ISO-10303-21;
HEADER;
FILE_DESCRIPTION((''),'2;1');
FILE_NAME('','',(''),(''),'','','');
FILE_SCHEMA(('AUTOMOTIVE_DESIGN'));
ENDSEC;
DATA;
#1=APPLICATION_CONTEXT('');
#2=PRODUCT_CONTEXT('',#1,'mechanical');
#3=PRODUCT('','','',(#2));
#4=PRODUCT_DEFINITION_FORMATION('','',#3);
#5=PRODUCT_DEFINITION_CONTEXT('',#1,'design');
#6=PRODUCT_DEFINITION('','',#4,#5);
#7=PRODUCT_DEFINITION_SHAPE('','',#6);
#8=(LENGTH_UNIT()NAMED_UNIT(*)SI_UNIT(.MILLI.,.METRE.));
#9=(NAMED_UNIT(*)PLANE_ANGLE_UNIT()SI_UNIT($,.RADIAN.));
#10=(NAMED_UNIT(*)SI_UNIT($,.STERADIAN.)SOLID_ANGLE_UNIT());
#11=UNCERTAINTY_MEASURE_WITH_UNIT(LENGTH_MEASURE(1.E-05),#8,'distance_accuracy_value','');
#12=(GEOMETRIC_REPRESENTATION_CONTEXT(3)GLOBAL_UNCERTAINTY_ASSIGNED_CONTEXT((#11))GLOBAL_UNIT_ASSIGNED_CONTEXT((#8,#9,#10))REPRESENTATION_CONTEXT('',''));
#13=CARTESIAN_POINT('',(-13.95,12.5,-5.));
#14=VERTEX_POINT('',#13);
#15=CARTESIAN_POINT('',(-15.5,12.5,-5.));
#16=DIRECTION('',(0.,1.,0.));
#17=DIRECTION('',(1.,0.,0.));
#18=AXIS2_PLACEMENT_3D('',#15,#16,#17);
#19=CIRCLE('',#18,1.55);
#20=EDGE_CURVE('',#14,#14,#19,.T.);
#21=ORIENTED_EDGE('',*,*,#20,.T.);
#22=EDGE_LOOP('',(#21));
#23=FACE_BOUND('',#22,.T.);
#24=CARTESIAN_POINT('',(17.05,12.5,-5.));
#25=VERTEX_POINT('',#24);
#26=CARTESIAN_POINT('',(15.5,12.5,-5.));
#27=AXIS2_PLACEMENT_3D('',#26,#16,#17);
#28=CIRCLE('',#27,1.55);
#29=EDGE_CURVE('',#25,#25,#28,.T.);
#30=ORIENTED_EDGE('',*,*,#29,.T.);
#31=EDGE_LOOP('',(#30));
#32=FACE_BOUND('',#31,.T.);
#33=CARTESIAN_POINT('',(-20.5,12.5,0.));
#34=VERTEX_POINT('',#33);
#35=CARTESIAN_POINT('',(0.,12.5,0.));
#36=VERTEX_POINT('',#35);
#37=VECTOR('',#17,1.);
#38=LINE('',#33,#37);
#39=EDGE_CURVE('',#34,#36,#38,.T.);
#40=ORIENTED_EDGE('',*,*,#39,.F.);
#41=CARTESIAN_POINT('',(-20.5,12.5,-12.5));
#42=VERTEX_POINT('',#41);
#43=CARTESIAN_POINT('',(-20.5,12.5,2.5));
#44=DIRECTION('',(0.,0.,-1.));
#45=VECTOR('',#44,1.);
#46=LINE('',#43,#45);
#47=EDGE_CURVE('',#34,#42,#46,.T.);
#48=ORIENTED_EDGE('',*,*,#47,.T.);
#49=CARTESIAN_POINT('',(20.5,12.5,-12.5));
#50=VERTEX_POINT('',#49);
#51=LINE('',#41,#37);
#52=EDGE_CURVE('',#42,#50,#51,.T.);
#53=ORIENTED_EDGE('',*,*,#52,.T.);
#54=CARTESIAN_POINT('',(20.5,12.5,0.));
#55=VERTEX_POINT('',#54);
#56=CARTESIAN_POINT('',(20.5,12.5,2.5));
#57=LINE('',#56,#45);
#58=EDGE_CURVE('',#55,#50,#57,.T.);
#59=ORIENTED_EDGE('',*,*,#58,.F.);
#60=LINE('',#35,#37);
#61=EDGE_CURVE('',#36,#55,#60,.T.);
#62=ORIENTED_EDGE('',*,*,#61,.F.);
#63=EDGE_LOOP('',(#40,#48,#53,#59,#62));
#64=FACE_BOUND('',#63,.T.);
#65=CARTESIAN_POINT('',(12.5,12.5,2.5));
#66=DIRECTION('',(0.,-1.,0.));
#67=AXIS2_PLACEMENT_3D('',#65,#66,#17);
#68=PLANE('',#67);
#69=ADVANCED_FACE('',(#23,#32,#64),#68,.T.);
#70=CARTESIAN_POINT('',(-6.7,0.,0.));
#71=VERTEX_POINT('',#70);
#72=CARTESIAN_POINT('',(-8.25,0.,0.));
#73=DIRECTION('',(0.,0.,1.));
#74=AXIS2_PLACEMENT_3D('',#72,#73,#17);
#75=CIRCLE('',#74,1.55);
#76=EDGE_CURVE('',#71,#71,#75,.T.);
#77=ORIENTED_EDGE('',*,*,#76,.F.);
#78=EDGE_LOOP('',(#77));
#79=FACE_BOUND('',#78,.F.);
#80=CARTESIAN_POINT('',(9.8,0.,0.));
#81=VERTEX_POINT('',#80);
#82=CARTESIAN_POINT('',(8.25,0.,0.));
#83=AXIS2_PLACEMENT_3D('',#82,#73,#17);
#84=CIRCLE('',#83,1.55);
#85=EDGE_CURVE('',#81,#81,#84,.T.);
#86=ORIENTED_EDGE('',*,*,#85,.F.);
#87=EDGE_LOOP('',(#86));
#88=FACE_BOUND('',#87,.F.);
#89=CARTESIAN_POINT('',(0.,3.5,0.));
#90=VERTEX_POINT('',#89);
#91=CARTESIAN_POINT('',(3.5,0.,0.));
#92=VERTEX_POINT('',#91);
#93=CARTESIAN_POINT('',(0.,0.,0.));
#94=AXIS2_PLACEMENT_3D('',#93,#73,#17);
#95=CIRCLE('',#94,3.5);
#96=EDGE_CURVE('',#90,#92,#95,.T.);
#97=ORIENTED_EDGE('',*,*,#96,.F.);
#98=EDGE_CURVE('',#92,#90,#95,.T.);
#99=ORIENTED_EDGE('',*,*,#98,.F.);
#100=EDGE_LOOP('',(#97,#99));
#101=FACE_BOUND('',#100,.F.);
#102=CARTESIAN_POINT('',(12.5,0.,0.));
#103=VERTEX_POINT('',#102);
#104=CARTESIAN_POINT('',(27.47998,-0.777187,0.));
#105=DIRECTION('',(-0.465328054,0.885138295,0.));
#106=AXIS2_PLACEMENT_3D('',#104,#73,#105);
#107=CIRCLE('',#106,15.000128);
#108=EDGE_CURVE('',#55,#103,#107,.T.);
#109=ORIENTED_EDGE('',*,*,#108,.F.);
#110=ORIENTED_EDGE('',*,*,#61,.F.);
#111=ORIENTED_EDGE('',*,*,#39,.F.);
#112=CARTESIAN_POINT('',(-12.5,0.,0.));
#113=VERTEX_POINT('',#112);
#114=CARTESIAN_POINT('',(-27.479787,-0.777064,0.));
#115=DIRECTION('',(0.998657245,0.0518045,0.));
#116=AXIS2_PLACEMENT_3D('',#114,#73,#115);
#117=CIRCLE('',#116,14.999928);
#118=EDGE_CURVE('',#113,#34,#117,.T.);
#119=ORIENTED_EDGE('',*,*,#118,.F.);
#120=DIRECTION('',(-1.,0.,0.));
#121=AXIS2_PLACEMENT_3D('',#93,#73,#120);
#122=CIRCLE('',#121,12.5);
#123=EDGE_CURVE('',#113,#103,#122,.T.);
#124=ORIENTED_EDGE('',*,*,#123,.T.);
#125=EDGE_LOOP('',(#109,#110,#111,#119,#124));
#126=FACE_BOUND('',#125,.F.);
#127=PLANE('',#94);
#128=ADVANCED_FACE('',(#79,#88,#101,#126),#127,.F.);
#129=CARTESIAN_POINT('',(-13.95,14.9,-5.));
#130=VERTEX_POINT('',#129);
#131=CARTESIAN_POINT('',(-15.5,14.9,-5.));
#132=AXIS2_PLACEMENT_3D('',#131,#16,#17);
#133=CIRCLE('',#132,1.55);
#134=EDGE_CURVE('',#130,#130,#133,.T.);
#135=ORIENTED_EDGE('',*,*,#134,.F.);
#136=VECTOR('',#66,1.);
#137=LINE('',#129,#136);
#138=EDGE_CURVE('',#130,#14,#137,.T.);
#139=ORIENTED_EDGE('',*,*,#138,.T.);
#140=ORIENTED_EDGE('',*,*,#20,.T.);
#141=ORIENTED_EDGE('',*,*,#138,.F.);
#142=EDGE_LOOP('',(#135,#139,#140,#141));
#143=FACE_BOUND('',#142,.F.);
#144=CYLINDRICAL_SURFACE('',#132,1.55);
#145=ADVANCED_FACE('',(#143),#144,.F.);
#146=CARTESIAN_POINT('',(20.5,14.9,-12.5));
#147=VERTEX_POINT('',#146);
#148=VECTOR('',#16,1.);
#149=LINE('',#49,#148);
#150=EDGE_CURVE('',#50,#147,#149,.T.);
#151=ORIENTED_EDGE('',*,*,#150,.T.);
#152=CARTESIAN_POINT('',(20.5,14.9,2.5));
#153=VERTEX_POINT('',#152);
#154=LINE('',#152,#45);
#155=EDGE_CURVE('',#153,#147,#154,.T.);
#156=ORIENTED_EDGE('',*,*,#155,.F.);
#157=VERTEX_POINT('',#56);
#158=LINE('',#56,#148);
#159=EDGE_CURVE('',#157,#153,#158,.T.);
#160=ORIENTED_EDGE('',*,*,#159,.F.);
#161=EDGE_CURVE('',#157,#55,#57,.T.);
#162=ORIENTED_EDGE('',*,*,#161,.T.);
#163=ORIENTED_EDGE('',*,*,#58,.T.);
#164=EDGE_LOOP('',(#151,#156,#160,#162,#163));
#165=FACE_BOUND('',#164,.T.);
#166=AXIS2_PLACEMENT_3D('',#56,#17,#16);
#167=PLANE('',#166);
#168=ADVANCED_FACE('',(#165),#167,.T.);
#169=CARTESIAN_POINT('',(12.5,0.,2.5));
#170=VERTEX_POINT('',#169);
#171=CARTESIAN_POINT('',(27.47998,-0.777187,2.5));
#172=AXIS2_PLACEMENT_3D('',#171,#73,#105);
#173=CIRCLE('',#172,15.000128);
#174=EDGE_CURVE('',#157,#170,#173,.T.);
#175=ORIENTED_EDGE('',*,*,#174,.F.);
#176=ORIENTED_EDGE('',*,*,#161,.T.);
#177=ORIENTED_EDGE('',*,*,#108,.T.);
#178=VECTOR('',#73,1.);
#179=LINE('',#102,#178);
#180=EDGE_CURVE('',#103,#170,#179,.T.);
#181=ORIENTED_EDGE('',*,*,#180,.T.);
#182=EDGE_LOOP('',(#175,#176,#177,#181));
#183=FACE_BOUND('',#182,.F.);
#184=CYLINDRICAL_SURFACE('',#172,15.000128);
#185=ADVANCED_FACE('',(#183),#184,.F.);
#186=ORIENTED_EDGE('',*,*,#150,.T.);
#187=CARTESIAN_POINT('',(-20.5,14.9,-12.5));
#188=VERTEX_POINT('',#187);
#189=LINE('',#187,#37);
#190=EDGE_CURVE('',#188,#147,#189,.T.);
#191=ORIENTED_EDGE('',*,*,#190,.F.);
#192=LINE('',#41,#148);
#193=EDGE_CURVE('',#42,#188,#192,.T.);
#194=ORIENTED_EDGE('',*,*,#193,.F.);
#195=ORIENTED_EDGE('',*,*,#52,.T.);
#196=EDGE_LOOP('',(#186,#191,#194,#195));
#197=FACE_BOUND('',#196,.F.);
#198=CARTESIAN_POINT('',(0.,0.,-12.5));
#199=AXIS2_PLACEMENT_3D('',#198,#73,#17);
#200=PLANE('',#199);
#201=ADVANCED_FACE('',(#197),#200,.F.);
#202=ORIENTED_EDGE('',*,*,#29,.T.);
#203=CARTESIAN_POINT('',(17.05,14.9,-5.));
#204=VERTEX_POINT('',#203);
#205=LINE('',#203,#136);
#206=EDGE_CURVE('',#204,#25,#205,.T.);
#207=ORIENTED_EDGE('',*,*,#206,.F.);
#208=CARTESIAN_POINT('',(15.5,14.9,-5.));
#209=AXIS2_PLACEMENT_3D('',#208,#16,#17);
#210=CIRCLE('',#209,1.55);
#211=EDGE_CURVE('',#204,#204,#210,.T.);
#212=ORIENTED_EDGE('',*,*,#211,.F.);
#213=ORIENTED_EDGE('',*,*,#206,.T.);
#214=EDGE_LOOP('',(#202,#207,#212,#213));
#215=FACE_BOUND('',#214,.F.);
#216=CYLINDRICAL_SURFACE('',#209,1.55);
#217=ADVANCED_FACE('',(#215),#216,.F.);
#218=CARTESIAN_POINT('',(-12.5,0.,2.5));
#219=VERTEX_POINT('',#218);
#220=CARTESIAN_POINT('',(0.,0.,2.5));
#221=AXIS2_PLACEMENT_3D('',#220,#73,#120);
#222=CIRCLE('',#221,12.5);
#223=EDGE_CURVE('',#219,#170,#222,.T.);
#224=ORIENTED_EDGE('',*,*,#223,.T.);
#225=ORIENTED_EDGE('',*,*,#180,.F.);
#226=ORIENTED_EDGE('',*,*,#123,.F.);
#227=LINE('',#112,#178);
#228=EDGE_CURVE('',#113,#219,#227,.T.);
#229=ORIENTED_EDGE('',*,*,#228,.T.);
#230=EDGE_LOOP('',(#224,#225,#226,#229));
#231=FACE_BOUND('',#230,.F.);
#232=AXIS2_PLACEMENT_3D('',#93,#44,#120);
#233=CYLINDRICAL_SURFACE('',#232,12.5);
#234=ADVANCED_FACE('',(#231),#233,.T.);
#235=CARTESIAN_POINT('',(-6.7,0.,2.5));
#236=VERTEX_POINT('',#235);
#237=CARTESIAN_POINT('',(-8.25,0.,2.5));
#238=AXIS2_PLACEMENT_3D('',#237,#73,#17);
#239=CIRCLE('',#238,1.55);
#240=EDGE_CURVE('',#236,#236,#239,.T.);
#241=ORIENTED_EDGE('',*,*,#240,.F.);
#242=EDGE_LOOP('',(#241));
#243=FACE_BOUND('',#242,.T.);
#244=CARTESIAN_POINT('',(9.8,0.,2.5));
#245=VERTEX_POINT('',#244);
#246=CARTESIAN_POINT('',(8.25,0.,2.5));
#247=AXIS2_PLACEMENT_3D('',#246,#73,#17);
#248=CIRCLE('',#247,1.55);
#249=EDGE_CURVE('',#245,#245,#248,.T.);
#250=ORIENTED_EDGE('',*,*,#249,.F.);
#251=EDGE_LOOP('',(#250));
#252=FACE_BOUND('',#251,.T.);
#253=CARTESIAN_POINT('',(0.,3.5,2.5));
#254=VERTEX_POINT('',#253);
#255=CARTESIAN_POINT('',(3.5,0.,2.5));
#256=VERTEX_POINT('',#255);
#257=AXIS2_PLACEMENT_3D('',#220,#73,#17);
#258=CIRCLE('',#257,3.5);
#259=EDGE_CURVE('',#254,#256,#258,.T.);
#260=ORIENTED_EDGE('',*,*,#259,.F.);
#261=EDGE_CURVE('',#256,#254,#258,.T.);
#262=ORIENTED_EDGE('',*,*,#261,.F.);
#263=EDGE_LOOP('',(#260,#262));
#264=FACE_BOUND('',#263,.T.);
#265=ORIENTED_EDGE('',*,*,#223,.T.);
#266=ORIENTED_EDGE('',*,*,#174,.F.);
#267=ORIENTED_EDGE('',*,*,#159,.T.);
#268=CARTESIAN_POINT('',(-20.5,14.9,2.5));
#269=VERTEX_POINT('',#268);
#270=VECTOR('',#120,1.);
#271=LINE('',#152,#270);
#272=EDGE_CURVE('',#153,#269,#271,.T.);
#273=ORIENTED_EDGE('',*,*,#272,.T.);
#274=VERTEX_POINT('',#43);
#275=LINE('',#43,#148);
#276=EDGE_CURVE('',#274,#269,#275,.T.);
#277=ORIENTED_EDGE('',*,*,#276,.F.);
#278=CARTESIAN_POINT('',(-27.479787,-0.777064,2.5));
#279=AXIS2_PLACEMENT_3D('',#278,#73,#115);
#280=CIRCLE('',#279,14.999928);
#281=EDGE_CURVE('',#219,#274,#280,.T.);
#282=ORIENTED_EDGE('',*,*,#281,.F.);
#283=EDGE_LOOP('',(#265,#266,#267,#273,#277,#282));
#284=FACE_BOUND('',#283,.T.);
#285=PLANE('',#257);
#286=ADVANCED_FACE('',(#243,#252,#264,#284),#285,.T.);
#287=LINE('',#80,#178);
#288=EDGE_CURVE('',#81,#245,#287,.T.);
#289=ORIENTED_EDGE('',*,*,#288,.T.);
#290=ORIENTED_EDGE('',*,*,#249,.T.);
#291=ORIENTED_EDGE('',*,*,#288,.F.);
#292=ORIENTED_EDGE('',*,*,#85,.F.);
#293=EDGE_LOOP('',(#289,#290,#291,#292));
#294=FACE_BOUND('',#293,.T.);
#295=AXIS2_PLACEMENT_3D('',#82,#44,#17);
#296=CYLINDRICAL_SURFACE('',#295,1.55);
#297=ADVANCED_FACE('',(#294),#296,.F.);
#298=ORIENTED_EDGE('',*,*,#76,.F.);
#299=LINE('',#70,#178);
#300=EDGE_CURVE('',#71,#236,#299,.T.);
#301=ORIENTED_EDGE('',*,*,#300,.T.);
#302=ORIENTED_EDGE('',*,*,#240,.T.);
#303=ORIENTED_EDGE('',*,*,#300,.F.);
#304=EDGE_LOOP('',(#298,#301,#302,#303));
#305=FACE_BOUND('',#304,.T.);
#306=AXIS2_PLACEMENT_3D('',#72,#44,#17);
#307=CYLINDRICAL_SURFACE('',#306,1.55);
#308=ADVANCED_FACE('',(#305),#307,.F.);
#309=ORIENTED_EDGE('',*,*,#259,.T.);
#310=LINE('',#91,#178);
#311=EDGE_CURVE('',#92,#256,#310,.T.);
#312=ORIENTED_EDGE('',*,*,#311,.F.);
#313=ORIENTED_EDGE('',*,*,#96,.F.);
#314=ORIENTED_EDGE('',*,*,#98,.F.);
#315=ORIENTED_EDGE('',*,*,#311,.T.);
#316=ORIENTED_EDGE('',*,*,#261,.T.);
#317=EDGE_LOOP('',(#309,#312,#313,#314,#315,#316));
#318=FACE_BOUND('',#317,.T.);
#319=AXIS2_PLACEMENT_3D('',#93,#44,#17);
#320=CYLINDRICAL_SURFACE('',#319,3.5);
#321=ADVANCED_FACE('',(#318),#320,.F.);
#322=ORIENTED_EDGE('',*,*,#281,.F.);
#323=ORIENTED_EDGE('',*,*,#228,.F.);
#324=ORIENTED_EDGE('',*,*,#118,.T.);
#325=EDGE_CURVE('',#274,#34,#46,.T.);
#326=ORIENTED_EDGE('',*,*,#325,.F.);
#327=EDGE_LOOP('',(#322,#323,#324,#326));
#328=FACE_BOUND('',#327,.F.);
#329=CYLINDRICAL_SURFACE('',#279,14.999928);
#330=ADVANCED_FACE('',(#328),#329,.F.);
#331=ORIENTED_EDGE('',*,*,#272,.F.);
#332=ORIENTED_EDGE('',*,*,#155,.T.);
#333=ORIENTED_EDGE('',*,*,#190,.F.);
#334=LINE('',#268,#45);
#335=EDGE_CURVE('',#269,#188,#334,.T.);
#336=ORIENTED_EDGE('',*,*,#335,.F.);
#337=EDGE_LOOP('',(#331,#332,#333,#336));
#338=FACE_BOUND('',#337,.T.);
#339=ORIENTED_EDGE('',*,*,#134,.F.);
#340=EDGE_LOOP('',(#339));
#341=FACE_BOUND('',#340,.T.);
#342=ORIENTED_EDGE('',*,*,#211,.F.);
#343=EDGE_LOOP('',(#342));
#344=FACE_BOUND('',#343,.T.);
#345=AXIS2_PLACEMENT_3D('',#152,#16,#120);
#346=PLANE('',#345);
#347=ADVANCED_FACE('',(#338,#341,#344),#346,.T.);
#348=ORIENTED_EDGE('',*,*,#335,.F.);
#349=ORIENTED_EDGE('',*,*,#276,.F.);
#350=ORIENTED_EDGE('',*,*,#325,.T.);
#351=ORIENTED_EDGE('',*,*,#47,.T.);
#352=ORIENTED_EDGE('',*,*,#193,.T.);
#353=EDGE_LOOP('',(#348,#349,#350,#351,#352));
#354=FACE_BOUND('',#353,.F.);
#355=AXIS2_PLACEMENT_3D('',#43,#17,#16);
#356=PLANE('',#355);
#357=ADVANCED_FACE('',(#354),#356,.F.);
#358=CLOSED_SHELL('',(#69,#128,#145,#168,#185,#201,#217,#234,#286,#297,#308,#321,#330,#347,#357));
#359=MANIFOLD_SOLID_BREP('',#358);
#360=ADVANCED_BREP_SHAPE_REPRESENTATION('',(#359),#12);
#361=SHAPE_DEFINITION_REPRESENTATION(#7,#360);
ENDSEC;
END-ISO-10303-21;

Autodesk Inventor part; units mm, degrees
ref_plane "YZ Plane" through (0, 0, 0) normal (1, 0, 0) x (0, 1, 0)
ref_plane "XZ Plane" through (0, 0, 0) normal (0, 1, 0) x (-1, 0, 0)
ref_plane "XY Plane" through (0, 0, 0) normal (0, 0, 1) x (1, 0, 0)
sketch "Sketch1" plane through (0, 0, 0) normal (0, 0, 1) x (1, 0, 0)
  circle A0 centre (0, 0) radius 3.5
  circle A1 centre (8.25, 0) radius 1.55
  circle A2 centre (-8.25, 0) radius 1.55
  line L0 (0, 0) -> (0, 12.5)
  line L1 (0, 12.5) -> (12.5, 12.5)
  line L2 (12.5, 0) -> (12.5, 12.5)
  line L3 (0, 12.5) -> (-12.5, 12.5)
  line L4 (-12.5, 12.5) -> (-12.5, 0)
  arc A3 (-12.5, 0) -> (12.5, 0) centre (0, 0) ccw
  dimension "d0" = 7
  dimension "d4" = 3.1
  dimension "d5" = 3.1
  dimension "d9" = 12.5
  dimension "d10" = 12.5
extrude "Extrusion1" add sketch "Sketch1" along normal blind 2.5
sketch "Sketch2" plane through (0, 0, 2.5) normal (0, 0, 1) x (1, 0, 0)
  line L0 (-12.5, 12.5) -> (-12.5, 0) projected
  line L1 (12.5, 0) -> (12.5, 12.5) projected
  line L2 (-12.5, 12.5) -> (12.5, 12.5)
  line L3 (12.5, 14.9) -> (-12.5, 14.9)
  line L4 (-12.5, 12.5) -> (-20.5, 12.5)
  line L5 (-20.5, 12.5) -> (-20.5, 14.9)
  line L6 (-20.5, 14.9) -> (-12.5, 14.9)
  line L7 (12.5, 12.5) -> (20.5, 12.5)
  line L8 (20.5, 12.5) -> (20.5, 14.9)
  line L9 (20.5, 14.9) -> (12.5, 14.9)
  point P0 (0, 0)
  dimension "d14" = 8
  dimension "d15" = 2.4
  dimension "d17" = 2.4
extrude "Extrusion2" add sketch "Sketch2" against normal blind 15
sketch "Sketch3" plane through (0, 0, 2.5) normal (0, 0, 1) x (1, 0, 0)
  arc A0 (-12.5, 0) -> (12.5, 0) centre (0, 0) ccw projected
  line L0 (20.5, 12.5) -> (-20.5, 12.5) projected
  line L1 (12.5, 12.5) -> (-12.5, 12.5) projected
  arc A1 (-12.5, 0) -> (-20.5, 12.5) centre (-27.4799, -0.7771) ccw
  arc A2 (20.5, 12.5) -> (12.5, 0) centre (27.4799, -0.7771) ccw
  line L2 (-20.5, 12.5) -> (-12.5, 12.5)
  line L3 (-12.5, 12.5) -> (-12.5, 0) projected
  line L4 (-12.5, 0) -> (-12.5, 12.5)
  line L5 (12.5, 0) -> (12.5, 12.5) projected
  line L6 (12.5, 0) -> (12.5, 12.5)
  line L7 (12.5, 12.5) -> (20.5, 12.5)
  dimension "d20" = 15
  dimension "d21" = 15
extrude "Extrusion3" add sketch "Sketch3" against normal up to surface (2.5 mm away) contours A1 L0 L3 | L5 L0 A2
sketch "Sketch4" plane through (-20.5, 14.9, 2.5) normal (0, 1, 0) x (1, 0, 0)
  line L0 (41, 15) -> (0, 15) projected
  line L1 (0, 0) -> (0, 15) projected
  line L2 (41, 0) -> (41, 15) projected
  line L3 (41, 7.5) -> (36, 7.5)
  circle A0 centre (5, 7.5) radius 1.55
  circle A1 centre (36, 7.5) radius 1.55
  point P0 (20.5, 2.5)
  dimension "d27" = 3.1
  dimension "d28" = 3.1
extrude "Extrusion4" cut sketch "Sketch4" against normal blind 10
properties part number "main_motor_mount" material "Prusament PETG"
